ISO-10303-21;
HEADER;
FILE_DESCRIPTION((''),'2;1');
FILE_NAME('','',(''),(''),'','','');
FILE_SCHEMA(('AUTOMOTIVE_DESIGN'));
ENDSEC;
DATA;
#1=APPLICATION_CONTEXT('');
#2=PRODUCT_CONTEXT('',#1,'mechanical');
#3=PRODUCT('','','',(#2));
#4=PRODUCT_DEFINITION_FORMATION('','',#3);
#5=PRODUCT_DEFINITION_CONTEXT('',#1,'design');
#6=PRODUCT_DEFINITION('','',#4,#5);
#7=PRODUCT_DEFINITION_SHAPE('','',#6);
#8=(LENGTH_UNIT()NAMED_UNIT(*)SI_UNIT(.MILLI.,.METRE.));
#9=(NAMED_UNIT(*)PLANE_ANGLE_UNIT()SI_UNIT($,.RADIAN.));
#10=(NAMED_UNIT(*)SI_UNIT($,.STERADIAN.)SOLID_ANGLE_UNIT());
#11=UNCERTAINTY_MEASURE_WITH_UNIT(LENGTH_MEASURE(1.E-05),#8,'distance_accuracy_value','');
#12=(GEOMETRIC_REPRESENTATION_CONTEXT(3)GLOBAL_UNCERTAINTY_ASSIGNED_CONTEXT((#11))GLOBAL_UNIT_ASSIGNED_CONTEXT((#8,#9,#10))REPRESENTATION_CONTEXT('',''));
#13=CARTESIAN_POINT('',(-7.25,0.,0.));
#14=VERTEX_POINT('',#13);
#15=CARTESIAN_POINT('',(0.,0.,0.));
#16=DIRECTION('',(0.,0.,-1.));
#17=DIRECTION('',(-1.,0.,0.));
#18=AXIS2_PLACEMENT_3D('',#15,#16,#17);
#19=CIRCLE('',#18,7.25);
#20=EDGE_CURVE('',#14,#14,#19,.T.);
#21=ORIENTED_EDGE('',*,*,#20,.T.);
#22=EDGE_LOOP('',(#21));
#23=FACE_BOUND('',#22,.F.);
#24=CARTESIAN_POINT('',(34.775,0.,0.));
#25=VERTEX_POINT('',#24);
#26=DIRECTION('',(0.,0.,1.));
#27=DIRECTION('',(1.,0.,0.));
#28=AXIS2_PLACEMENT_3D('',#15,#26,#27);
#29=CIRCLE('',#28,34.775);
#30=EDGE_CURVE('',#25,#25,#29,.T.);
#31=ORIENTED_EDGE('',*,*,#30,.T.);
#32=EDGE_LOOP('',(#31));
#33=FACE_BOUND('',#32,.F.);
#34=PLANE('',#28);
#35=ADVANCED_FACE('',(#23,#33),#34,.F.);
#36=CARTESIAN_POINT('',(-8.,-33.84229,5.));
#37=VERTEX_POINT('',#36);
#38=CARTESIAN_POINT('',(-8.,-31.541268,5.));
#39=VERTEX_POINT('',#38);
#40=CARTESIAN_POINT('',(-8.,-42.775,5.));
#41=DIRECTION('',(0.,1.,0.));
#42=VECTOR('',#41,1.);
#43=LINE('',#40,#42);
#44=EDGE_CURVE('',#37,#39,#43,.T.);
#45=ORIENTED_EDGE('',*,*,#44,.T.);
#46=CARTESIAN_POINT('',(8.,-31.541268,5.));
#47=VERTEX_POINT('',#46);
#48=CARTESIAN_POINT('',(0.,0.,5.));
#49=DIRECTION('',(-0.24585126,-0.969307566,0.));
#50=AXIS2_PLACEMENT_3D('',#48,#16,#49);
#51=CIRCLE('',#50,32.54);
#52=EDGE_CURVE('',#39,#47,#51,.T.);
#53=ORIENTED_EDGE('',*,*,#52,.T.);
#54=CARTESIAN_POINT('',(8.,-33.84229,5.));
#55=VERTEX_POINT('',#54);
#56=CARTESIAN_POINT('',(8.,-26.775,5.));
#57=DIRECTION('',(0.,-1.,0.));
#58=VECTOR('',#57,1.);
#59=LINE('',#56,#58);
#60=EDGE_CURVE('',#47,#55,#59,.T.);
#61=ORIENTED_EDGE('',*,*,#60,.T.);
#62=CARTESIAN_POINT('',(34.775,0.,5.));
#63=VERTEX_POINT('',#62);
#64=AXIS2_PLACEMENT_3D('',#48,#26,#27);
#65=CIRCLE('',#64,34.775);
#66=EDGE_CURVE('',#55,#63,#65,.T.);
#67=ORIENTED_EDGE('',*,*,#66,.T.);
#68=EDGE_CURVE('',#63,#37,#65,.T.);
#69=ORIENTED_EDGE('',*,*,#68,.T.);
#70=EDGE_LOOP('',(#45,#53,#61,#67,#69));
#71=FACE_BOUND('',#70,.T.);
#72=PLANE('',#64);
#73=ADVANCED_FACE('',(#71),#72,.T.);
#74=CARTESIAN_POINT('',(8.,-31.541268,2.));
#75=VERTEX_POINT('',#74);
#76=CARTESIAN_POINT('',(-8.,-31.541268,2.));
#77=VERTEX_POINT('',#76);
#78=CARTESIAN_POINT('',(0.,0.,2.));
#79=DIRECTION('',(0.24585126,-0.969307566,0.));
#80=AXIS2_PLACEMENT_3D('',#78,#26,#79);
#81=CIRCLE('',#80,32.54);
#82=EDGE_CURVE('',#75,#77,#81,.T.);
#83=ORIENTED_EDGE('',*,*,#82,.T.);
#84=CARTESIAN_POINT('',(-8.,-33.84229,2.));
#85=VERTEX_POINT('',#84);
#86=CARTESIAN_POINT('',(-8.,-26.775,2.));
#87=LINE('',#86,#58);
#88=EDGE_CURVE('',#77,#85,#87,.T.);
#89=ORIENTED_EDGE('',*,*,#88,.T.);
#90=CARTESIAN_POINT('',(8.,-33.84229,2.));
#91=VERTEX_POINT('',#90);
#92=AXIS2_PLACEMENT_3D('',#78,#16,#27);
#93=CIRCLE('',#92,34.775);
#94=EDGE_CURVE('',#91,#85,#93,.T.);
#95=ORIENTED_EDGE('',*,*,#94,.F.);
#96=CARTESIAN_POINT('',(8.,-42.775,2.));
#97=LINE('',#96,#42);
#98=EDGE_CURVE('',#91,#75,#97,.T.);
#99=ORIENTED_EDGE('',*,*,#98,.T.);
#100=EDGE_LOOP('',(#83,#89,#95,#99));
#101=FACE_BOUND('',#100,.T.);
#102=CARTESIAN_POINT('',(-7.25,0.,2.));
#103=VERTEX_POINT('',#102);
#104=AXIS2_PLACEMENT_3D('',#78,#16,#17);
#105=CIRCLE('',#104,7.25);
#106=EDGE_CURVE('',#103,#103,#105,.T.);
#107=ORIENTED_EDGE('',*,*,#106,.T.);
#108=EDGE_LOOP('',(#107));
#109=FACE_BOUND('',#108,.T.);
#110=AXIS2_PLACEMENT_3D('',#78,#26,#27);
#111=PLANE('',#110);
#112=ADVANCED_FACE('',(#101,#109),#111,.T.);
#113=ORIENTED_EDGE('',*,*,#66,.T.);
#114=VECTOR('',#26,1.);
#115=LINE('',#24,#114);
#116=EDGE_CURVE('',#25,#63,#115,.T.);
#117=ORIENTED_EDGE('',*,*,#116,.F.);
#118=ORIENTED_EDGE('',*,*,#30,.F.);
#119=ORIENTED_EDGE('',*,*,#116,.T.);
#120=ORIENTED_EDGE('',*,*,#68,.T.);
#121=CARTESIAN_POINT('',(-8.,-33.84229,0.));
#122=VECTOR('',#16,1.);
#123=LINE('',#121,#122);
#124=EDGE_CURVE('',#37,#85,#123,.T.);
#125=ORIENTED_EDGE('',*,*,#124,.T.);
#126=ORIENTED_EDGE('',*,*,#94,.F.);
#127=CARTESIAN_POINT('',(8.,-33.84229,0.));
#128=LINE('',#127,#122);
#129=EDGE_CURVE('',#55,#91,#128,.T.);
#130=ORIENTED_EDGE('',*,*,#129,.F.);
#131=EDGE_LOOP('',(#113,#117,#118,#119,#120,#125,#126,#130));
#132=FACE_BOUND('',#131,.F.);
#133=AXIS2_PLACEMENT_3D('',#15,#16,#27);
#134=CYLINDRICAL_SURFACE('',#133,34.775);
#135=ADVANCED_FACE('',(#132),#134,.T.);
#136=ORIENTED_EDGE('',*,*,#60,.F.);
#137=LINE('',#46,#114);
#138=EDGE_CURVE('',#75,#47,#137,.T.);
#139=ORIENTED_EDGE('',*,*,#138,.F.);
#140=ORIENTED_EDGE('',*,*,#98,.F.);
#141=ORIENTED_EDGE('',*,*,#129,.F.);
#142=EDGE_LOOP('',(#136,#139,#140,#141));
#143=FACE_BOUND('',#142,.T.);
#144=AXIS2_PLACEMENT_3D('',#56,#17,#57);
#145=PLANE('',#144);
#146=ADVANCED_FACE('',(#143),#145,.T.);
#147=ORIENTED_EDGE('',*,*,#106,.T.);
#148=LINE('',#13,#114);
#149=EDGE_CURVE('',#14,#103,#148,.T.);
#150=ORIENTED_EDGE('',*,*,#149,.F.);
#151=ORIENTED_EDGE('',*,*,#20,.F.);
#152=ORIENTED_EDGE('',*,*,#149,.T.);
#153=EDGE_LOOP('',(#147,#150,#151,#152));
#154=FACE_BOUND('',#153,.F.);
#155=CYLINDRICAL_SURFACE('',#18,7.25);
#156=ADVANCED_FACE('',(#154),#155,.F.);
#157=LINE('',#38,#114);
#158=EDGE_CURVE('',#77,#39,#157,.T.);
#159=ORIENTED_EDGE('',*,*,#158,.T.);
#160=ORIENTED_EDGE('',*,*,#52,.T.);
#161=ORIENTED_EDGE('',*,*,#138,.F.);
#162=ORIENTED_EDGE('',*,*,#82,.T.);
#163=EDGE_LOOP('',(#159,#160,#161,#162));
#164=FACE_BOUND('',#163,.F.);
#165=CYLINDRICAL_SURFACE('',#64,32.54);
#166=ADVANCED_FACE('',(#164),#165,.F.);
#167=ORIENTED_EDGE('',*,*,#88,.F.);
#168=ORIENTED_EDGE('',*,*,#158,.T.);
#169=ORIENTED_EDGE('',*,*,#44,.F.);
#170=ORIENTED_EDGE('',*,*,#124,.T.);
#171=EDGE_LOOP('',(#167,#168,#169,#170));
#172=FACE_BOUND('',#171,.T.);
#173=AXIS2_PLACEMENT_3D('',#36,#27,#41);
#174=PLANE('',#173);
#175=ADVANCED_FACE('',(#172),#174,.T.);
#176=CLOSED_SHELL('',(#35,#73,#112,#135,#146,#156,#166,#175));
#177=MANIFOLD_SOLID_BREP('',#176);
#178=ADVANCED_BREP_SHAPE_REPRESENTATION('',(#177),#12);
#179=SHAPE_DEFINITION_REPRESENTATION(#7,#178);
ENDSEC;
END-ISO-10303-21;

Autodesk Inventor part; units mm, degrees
ref_plane "YZ Plane" through (0, 0, 0) normal (1, 0, 0) x (0, 1, 0)
ref_plane "XZ Plane" through (0, 0, 0) normal (0, 1, 0) x (-1, 0, 0)
ref_plane "XY Plane" through (0, 0, 0) normal (0, 0, 1) x (1, 0, 0)
sketch "Skizze1" plane through (0, 0, 0) normal (0, 0, 1) x (1, 0, 0)
  circle A0 centre (0, 0) radius 34.775
  dimension "d0" = 69.55
extrude "Extrusion1" add sketch "Skizze1" along normal blind 5
sketch "Skizze2" plane through (0, 0, 5) normal (0, 0, 1) x (1, 0, 0)
  circle A0 centre (0, 0) radius 32.54
  dimension "d3" = 65.08
extrude "Extrusion2" cut sketch "Skizze2" against normal blind 3
sketch "Skizze3" plane through (0, 0, 0) normal (0, 0, -1) x (-1, 0, 0)
  circle A0 centre (0, 0) radius 7.25
  dimension "d6" = 14.5
extrude "Extrusion3" cut sketch "Skizze3" against normal through all
sketch "Skizze4" plane through (0, 0, 5) normal (0, 0, 1) x (1, 0, 0)
  line L0 (-8, -26.775) -> (8, -26.775)
  line L1 (8, -26.775) -> (8, -42.775)
  line L2 (8, -42.775) -> (-8, -42.775)
  line L3 (-8, -42.775) -> (-8, -26.775)
  circle A0 centre (0, 0) radius 34.775 projected
  line L4 (-8, -26.775) -> (8, -42.775) construction
  line L5 (8, -26.775) -> (-8, -42.775) construction
  point P0 (0, -34.775)
  dimension "d9" = 16
  dimension "d10" = 16
extrude "Extrusion4" cut sketch "Skizze4" against normal up to surface (3 mm away) contours L0 L1 A0 L3 | A0 L1 L2 L3 picked at (0.896, -29.407)
properties part number "2024_08_28_Holder_disk_NS14"
